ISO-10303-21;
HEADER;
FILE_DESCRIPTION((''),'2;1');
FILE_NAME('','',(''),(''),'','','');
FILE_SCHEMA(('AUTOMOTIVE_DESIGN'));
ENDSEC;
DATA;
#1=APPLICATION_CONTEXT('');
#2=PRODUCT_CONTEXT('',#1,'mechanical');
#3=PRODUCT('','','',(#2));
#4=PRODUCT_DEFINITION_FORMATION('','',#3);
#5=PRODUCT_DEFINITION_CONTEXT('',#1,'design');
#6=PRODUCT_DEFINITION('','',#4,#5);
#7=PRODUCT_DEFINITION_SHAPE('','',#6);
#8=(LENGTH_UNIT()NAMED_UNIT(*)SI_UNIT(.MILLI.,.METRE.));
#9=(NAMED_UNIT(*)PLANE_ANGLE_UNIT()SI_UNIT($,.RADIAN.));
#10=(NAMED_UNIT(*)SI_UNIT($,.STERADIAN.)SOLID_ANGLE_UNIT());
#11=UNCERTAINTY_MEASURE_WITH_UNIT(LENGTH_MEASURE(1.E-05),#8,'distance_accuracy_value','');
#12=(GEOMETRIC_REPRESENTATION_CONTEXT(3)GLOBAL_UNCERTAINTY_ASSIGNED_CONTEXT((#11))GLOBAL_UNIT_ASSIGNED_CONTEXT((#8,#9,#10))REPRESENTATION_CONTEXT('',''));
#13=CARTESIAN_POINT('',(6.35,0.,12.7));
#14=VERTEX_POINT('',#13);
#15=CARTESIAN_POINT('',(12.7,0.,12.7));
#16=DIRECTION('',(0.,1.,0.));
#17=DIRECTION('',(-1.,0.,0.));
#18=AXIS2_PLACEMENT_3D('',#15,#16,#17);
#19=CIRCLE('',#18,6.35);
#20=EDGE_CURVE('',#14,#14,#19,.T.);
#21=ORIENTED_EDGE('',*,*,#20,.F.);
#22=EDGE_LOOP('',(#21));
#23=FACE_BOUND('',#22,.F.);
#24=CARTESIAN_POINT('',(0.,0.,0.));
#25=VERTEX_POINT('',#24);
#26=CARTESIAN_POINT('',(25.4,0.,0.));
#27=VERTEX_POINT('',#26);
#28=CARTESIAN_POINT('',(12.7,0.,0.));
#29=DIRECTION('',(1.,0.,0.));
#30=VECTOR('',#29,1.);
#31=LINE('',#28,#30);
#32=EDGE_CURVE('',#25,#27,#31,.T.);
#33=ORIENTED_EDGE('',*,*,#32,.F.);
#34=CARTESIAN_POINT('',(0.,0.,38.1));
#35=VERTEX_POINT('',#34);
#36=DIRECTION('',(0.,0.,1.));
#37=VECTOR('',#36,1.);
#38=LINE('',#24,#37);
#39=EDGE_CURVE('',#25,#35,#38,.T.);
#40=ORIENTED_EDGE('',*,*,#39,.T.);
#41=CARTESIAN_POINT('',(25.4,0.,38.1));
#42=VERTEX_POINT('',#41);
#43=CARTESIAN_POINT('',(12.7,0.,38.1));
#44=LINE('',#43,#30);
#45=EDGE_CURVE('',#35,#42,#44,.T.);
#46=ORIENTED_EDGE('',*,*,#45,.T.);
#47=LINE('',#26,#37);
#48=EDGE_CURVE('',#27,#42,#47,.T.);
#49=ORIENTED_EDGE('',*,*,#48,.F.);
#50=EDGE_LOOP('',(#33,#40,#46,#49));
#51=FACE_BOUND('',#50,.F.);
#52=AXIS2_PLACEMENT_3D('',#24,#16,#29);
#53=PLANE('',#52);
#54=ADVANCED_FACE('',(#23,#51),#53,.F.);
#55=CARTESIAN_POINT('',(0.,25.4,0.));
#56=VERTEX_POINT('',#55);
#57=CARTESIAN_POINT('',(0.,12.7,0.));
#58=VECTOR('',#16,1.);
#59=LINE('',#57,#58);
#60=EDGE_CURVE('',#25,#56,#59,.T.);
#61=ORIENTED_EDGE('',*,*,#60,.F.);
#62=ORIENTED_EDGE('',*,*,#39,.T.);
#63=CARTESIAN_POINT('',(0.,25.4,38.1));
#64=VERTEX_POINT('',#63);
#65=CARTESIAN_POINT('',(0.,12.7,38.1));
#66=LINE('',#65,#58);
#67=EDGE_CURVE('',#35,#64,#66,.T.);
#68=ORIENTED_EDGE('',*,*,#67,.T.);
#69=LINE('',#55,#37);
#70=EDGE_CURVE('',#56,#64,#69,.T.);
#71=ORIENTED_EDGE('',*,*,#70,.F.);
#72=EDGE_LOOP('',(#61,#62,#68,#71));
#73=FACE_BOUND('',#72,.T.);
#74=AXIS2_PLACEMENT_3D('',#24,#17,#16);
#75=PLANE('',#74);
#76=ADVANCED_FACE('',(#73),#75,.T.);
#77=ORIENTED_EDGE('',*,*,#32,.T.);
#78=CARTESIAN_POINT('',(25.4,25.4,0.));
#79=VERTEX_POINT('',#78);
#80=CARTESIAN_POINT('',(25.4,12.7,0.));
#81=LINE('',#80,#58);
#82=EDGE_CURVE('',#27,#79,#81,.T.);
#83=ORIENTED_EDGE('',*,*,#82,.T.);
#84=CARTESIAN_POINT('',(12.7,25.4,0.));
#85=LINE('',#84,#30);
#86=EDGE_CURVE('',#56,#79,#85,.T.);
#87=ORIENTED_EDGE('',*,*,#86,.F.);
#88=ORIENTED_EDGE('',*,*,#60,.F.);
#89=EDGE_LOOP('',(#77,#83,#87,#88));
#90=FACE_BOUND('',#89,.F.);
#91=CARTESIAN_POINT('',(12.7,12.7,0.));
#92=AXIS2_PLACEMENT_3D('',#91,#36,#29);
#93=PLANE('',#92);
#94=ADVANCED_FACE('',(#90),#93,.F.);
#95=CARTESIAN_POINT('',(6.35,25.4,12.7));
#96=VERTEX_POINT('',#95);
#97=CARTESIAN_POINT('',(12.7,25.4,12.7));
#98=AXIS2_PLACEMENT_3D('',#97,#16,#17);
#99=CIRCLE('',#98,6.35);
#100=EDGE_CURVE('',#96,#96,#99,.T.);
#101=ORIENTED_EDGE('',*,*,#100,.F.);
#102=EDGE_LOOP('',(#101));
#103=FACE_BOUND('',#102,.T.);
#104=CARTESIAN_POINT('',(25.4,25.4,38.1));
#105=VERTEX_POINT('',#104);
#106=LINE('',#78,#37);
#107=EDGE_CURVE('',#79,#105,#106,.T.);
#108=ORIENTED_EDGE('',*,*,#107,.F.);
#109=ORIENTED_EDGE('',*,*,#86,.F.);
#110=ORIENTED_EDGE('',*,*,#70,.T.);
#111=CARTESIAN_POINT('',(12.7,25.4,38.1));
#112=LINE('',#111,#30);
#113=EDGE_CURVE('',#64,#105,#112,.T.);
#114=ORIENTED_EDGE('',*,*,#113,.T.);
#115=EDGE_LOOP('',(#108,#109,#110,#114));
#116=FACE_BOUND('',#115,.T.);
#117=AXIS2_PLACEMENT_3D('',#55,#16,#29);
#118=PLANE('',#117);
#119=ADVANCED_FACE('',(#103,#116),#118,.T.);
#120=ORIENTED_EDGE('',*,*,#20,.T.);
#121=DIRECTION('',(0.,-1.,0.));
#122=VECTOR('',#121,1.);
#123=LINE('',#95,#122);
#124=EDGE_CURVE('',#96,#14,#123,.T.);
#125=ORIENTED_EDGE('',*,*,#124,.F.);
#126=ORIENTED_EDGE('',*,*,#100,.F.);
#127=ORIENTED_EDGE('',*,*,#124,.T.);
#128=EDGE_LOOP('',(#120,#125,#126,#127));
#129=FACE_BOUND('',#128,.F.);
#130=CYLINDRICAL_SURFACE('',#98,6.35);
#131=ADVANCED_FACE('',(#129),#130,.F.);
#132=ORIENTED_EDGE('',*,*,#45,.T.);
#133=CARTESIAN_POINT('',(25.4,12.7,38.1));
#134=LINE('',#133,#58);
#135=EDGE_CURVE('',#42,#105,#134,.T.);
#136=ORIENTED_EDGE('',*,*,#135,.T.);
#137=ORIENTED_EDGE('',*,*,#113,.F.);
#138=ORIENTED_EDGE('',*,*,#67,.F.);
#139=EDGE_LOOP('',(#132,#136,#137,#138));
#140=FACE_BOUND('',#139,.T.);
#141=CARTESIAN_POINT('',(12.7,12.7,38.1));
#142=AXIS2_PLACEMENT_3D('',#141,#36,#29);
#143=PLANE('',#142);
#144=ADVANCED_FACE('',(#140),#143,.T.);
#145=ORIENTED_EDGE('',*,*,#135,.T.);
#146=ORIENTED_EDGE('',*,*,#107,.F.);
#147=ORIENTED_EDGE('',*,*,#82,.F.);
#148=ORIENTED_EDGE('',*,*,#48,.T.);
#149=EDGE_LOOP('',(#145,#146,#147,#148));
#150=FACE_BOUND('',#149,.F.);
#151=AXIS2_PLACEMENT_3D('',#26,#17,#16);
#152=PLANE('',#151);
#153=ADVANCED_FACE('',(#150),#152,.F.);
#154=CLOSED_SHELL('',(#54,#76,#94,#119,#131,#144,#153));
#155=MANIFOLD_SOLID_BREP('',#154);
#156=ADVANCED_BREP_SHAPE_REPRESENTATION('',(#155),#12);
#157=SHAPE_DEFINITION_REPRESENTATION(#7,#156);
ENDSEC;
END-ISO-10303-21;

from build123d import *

# Parameters (mm, degrees)
F0_W     = 25.4
F0_H     = 25.4
F1_DEPTH = 38.1
F2_R     = 6.35
F3_DEPTH = 25.401


with BuildPart() as f1:
    # F0 (on Top) → F1 (new body)
    with BuildSketch(Plane.XY):
        with Locations((12.7, 12.7)):
            Rectangle(F0_W, F0_H)
    extrude(amount=F1_DEPTH)

    # F2 (on face) → F3 (cut, through all)
    with BuildSketch(Plane(origin=(0, 25.4, 0), x_dir=(-1, 0, 0), z_dir=(0, 1, 0))):
        with Locations((-12.7, 12.7)):
            Circle(F2_R)
    extrude(amount=-F3_DEPTH, mode=Mode.SUBTRACT)


solid = f1.part
